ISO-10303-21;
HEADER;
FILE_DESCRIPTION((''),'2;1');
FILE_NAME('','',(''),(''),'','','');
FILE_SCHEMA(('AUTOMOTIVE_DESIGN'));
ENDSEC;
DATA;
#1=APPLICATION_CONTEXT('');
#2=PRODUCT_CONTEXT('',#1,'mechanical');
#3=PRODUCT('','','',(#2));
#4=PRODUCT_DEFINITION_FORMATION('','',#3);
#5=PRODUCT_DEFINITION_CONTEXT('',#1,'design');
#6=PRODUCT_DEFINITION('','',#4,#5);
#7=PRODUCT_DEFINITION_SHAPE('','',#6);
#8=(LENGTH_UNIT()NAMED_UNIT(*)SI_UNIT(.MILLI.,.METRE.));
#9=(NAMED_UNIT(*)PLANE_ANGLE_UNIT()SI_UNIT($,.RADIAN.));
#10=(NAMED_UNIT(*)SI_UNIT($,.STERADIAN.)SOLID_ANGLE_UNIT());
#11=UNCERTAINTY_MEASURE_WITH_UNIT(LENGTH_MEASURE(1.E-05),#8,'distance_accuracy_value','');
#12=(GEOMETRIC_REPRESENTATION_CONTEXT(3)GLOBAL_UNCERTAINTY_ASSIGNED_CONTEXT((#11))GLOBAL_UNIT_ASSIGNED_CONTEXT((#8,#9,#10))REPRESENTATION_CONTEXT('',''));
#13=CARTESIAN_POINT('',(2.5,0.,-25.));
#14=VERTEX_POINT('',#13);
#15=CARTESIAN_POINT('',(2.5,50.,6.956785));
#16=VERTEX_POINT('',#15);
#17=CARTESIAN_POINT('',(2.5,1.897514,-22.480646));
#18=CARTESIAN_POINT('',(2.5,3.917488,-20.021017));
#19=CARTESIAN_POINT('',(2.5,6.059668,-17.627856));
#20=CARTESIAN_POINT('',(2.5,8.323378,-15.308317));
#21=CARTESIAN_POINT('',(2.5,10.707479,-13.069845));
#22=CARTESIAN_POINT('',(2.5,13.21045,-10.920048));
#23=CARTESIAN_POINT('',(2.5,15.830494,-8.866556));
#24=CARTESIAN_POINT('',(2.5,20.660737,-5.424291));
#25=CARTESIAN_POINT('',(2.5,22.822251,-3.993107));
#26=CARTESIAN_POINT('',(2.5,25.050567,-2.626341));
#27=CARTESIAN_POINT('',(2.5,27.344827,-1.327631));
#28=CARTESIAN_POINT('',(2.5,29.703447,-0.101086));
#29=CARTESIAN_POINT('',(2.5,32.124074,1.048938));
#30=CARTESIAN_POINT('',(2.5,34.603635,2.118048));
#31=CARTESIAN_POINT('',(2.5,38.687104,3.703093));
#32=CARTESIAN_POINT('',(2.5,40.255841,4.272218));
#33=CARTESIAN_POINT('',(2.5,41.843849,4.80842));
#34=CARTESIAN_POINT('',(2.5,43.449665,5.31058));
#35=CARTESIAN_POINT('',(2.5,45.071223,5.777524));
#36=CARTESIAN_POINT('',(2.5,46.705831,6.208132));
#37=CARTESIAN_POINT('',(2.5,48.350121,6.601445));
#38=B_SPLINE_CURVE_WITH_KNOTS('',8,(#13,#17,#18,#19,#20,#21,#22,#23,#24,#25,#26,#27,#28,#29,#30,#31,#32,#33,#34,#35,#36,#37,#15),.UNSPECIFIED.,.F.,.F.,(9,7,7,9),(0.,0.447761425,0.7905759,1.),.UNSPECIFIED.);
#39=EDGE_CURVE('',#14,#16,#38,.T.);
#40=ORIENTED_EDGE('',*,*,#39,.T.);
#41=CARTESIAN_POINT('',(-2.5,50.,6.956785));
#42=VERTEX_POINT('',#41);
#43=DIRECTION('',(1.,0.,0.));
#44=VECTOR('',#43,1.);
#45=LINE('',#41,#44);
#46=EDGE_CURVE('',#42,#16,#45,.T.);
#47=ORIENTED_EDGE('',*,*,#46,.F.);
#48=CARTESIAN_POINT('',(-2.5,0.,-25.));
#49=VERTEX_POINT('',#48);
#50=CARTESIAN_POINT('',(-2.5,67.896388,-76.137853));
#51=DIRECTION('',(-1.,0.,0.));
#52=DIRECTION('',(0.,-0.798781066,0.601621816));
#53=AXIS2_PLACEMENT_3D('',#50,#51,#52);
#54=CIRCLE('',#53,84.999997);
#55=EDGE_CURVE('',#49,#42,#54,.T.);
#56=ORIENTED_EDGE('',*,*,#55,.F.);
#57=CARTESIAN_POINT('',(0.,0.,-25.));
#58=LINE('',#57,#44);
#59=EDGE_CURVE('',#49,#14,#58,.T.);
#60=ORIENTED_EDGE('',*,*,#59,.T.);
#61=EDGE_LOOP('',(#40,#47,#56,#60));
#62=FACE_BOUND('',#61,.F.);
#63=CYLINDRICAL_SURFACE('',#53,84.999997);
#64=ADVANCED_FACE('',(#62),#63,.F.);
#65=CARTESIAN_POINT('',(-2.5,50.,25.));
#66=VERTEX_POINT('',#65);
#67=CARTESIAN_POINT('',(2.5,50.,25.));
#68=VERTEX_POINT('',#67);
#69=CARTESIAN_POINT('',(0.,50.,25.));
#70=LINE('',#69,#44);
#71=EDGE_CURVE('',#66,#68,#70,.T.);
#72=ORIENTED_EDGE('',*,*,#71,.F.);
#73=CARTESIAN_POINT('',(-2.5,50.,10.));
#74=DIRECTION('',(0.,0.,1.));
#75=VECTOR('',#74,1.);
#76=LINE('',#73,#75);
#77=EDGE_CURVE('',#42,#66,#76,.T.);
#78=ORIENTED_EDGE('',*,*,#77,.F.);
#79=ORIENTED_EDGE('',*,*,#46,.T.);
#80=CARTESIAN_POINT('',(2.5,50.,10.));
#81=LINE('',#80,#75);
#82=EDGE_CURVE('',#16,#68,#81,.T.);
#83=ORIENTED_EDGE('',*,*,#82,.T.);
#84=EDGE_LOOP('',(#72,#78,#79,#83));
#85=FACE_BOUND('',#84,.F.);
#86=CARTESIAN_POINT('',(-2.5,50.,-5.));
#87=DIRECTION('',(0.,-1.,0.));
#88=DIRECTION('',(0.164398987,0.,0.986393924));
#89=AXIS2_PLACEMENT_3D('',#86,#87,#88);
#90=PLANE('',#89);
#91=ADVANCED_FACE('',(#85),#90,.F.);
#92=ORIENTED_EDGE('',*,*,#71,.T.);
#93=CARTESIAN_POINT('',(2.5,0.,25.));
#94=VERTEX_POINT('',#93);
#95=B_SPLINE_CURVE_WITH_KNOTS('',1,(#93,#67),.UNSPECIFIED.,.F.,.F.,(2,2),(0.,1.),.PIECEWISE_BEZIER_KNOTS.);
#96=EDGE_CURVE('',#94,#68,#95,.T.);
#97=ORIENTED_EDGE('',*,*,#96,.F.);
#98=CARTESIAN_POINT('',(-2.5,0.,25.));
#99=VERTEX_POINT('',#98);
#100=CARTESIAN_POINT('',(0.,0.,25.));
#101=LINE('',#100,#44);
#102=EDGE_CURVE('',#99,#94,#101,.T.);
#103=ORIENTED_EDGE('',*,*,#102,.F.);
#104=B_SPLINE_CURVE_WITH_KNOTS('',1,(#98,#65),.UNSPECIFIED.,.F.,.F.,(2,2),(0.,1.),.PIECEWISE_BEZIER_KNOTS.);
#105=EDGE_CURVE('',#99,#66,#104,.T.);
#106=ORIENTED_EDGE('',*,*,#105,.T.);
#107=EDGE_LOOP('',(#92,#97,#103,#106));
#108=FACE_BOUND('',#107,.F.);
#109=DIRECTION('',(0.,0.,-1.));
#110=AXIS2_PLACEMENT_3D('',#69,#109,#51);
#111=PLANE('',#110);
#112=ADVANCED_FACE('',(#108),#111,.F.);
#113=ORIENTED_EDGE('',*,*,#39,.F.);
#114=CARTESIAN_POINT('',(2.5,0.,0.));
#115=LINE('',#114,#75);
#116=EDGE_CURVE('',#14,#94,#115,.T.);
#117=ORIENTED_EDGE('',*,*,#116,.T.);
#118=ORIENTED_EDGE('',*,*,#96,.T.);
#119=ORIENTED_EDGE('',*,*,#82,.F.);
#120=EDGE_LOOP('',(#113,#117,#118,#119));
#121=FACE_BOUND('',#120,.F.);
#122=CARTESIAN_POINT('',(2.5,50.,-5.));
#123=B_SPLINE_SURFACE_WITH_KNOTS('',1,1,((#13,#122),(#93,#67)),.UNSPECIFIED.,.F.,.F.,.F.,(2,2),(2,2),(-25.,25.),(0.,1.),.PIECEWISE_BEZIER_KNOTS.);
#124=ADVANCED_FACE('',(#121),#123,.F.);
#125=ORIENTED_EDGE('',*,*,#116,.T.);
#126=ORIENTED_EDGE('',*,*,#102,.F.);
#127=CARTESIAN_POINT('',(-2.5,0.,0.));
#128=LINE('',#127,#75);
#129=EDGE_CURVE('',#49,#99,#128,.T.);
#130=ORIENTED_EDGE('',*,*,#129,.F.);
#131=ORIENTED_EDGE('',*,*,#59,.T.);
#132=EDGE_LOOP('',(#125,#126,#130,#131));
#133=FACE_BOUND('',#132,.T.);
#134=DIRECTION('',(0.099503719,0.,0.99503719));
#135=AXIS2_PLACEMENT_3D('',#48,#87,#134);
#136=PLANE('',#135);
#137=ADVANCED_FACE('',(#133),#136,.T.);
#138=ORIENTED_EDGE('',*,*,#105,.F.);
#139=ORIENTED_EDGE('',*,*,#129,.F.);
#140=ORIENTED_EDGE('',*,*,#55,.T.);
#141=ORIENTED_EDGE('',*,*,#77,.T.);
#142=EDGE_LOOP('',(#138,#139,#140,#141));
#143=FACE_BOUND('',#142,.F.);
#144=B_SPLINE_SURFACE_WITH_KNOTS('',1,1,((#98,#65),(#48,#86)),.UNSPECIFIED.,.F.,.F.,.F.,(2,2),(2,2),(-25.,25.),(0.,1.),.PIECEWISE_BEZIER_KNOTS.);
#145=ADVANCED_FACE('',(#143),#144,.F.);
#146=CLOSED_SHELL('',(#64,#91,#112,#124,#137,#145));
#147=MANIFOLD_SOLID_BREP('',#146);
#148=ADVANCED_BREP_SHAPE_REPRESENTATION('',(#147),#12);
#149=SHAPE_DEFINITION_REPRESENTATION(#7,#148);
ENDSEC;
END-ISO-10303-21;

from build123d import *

# Parameters (mm, degrees)
F0_W     = 5
F0_H     = 50
F2_W     = 5
F2_H     = 30
F5_DEPTH = 25


with BuildPart() as f3:
    # F0 (on Front) → F3 section 0
    with BuildSketch(Plane.XZ):
        Rectangle(F0_W, F0_H)
    # F2 (on offset) → F3 section 1
    with BuildSketch(Plane.XZ.offset(-50)):
        with Locations((0, 10)):
            Rectangle(F2_W, F2_H)
    loft()

    # F4 (on face) → F5 (cut)
    with BuildSketch(Plane(origin=(-2.5, 0, 0), x_dir=(0, -1, 0), z_dir=(-1, 0, 0))):
        with BuildLine():
            Line((-50, -5), (0, -25))
            ThreePointArc((0, -25), (-22.120749, -4.516694), (-50, 6.956785))
            Line((-50, 6.956785), (-50, -5))
        make_face()
    extrude(amount=-F5_DEPTH, mode=Mode.SUBTRACT)


solid = f3.part
